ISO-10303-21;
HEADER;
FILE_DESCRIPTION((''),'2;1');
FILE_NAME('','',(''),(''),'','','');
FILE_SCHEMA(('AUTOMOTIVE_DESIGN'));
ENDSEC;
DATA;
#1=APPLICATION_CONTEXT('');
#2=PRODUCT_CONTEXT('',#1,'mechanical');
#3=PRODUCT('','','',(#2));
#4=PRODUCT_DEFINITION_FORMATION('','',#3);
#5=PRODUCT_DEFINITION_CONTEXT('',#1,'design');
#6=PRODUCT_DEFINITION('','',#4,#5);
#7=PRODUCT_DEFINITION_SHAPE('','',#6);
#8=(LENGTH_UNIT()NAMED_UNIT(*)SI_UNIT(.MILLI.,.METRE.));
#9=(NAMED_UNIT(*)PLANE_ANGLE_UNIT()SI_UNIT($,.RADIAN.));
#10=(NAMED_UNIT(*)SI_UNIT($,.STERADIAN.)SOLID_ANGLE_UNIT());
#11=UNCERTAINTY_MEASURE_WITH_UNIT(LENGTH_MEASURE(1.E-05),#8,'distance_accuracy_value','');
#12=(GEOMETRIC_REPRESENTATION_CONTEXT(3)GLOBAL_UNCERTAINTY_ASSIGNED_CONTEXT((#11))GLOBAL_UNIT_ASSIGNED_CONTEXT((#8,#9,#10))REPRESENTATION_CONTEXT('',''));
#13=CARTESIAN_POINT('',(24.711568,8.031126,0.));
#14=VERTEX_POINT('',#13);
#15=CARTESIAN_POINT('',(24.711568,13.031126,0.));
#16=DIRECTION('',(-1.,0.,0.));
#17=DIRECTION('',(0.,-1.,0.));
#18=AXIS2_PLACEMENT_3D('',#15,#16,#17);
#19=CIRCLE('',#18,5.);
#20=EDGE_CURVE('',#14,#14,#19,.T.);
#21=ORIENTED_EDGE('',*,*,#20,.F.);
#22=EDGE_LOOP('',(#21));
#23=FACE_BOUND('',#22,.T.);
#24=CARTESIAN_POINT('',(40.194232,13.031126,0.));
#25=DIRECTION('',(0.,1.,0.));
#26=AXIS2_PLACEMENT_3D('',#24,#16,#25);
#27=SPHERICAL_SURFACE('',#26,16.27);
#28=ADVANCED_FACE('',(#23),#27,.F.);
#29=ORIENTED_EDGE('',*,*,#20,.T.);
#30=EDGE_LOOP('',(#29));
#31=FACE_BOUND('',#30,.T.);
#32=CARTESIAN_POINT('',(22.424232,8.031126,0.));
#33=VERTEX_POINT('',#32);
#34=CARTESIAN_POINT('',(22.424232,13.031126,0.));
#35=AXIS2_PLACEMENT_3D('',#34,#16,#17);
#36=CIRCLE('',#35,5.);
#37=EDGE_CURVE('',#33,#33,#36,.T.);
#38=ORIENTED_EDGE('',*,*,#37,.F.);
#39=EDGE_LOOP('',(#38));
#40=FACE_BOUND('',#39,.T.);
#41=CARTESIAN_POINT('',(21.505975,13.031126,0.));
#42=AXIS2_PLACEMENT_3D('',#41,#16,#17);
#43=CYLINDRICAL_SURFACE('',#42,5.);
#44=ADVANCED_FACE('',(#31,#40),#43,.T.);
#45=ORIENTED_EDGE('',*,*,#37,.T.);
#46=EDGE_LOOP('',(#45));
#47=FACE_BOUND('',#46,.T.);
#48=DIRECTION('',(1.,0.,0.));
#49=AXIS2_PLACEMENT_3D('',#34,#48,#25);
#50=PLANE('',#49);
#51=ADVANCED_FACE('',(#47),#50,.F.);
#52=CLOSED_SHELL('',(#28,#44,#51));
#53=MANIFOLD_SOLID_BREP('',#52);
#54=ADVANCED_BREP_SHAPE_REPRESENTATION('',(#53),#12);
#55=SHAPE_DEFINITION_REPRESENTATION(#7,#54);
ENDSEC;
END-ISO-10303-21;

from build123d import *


with BuildPart() as part:
    # 草图1 → 旋转1 (revolve)
    with BuildSketch(Plane.XY):
        with BuildLine():
            Line((22.424232054, 13.031126091), (22.424232054, 18.031126091))
            Line((22.424232054, 18.031126091), (24.711567554, 18.031126091))
            ThreePointArc((24.711567554, 18.031126091), (24.122271199, 15.56193116), (23.924232054, 13.031126091))
            Line((23.924232054, 13.031126091), (22.424232054, 13.031126091))
        make_face()
    revolve(axis=Axis((21.505975118, 13.031126091, 0), (1, 0, 0)))


solid = part.part
